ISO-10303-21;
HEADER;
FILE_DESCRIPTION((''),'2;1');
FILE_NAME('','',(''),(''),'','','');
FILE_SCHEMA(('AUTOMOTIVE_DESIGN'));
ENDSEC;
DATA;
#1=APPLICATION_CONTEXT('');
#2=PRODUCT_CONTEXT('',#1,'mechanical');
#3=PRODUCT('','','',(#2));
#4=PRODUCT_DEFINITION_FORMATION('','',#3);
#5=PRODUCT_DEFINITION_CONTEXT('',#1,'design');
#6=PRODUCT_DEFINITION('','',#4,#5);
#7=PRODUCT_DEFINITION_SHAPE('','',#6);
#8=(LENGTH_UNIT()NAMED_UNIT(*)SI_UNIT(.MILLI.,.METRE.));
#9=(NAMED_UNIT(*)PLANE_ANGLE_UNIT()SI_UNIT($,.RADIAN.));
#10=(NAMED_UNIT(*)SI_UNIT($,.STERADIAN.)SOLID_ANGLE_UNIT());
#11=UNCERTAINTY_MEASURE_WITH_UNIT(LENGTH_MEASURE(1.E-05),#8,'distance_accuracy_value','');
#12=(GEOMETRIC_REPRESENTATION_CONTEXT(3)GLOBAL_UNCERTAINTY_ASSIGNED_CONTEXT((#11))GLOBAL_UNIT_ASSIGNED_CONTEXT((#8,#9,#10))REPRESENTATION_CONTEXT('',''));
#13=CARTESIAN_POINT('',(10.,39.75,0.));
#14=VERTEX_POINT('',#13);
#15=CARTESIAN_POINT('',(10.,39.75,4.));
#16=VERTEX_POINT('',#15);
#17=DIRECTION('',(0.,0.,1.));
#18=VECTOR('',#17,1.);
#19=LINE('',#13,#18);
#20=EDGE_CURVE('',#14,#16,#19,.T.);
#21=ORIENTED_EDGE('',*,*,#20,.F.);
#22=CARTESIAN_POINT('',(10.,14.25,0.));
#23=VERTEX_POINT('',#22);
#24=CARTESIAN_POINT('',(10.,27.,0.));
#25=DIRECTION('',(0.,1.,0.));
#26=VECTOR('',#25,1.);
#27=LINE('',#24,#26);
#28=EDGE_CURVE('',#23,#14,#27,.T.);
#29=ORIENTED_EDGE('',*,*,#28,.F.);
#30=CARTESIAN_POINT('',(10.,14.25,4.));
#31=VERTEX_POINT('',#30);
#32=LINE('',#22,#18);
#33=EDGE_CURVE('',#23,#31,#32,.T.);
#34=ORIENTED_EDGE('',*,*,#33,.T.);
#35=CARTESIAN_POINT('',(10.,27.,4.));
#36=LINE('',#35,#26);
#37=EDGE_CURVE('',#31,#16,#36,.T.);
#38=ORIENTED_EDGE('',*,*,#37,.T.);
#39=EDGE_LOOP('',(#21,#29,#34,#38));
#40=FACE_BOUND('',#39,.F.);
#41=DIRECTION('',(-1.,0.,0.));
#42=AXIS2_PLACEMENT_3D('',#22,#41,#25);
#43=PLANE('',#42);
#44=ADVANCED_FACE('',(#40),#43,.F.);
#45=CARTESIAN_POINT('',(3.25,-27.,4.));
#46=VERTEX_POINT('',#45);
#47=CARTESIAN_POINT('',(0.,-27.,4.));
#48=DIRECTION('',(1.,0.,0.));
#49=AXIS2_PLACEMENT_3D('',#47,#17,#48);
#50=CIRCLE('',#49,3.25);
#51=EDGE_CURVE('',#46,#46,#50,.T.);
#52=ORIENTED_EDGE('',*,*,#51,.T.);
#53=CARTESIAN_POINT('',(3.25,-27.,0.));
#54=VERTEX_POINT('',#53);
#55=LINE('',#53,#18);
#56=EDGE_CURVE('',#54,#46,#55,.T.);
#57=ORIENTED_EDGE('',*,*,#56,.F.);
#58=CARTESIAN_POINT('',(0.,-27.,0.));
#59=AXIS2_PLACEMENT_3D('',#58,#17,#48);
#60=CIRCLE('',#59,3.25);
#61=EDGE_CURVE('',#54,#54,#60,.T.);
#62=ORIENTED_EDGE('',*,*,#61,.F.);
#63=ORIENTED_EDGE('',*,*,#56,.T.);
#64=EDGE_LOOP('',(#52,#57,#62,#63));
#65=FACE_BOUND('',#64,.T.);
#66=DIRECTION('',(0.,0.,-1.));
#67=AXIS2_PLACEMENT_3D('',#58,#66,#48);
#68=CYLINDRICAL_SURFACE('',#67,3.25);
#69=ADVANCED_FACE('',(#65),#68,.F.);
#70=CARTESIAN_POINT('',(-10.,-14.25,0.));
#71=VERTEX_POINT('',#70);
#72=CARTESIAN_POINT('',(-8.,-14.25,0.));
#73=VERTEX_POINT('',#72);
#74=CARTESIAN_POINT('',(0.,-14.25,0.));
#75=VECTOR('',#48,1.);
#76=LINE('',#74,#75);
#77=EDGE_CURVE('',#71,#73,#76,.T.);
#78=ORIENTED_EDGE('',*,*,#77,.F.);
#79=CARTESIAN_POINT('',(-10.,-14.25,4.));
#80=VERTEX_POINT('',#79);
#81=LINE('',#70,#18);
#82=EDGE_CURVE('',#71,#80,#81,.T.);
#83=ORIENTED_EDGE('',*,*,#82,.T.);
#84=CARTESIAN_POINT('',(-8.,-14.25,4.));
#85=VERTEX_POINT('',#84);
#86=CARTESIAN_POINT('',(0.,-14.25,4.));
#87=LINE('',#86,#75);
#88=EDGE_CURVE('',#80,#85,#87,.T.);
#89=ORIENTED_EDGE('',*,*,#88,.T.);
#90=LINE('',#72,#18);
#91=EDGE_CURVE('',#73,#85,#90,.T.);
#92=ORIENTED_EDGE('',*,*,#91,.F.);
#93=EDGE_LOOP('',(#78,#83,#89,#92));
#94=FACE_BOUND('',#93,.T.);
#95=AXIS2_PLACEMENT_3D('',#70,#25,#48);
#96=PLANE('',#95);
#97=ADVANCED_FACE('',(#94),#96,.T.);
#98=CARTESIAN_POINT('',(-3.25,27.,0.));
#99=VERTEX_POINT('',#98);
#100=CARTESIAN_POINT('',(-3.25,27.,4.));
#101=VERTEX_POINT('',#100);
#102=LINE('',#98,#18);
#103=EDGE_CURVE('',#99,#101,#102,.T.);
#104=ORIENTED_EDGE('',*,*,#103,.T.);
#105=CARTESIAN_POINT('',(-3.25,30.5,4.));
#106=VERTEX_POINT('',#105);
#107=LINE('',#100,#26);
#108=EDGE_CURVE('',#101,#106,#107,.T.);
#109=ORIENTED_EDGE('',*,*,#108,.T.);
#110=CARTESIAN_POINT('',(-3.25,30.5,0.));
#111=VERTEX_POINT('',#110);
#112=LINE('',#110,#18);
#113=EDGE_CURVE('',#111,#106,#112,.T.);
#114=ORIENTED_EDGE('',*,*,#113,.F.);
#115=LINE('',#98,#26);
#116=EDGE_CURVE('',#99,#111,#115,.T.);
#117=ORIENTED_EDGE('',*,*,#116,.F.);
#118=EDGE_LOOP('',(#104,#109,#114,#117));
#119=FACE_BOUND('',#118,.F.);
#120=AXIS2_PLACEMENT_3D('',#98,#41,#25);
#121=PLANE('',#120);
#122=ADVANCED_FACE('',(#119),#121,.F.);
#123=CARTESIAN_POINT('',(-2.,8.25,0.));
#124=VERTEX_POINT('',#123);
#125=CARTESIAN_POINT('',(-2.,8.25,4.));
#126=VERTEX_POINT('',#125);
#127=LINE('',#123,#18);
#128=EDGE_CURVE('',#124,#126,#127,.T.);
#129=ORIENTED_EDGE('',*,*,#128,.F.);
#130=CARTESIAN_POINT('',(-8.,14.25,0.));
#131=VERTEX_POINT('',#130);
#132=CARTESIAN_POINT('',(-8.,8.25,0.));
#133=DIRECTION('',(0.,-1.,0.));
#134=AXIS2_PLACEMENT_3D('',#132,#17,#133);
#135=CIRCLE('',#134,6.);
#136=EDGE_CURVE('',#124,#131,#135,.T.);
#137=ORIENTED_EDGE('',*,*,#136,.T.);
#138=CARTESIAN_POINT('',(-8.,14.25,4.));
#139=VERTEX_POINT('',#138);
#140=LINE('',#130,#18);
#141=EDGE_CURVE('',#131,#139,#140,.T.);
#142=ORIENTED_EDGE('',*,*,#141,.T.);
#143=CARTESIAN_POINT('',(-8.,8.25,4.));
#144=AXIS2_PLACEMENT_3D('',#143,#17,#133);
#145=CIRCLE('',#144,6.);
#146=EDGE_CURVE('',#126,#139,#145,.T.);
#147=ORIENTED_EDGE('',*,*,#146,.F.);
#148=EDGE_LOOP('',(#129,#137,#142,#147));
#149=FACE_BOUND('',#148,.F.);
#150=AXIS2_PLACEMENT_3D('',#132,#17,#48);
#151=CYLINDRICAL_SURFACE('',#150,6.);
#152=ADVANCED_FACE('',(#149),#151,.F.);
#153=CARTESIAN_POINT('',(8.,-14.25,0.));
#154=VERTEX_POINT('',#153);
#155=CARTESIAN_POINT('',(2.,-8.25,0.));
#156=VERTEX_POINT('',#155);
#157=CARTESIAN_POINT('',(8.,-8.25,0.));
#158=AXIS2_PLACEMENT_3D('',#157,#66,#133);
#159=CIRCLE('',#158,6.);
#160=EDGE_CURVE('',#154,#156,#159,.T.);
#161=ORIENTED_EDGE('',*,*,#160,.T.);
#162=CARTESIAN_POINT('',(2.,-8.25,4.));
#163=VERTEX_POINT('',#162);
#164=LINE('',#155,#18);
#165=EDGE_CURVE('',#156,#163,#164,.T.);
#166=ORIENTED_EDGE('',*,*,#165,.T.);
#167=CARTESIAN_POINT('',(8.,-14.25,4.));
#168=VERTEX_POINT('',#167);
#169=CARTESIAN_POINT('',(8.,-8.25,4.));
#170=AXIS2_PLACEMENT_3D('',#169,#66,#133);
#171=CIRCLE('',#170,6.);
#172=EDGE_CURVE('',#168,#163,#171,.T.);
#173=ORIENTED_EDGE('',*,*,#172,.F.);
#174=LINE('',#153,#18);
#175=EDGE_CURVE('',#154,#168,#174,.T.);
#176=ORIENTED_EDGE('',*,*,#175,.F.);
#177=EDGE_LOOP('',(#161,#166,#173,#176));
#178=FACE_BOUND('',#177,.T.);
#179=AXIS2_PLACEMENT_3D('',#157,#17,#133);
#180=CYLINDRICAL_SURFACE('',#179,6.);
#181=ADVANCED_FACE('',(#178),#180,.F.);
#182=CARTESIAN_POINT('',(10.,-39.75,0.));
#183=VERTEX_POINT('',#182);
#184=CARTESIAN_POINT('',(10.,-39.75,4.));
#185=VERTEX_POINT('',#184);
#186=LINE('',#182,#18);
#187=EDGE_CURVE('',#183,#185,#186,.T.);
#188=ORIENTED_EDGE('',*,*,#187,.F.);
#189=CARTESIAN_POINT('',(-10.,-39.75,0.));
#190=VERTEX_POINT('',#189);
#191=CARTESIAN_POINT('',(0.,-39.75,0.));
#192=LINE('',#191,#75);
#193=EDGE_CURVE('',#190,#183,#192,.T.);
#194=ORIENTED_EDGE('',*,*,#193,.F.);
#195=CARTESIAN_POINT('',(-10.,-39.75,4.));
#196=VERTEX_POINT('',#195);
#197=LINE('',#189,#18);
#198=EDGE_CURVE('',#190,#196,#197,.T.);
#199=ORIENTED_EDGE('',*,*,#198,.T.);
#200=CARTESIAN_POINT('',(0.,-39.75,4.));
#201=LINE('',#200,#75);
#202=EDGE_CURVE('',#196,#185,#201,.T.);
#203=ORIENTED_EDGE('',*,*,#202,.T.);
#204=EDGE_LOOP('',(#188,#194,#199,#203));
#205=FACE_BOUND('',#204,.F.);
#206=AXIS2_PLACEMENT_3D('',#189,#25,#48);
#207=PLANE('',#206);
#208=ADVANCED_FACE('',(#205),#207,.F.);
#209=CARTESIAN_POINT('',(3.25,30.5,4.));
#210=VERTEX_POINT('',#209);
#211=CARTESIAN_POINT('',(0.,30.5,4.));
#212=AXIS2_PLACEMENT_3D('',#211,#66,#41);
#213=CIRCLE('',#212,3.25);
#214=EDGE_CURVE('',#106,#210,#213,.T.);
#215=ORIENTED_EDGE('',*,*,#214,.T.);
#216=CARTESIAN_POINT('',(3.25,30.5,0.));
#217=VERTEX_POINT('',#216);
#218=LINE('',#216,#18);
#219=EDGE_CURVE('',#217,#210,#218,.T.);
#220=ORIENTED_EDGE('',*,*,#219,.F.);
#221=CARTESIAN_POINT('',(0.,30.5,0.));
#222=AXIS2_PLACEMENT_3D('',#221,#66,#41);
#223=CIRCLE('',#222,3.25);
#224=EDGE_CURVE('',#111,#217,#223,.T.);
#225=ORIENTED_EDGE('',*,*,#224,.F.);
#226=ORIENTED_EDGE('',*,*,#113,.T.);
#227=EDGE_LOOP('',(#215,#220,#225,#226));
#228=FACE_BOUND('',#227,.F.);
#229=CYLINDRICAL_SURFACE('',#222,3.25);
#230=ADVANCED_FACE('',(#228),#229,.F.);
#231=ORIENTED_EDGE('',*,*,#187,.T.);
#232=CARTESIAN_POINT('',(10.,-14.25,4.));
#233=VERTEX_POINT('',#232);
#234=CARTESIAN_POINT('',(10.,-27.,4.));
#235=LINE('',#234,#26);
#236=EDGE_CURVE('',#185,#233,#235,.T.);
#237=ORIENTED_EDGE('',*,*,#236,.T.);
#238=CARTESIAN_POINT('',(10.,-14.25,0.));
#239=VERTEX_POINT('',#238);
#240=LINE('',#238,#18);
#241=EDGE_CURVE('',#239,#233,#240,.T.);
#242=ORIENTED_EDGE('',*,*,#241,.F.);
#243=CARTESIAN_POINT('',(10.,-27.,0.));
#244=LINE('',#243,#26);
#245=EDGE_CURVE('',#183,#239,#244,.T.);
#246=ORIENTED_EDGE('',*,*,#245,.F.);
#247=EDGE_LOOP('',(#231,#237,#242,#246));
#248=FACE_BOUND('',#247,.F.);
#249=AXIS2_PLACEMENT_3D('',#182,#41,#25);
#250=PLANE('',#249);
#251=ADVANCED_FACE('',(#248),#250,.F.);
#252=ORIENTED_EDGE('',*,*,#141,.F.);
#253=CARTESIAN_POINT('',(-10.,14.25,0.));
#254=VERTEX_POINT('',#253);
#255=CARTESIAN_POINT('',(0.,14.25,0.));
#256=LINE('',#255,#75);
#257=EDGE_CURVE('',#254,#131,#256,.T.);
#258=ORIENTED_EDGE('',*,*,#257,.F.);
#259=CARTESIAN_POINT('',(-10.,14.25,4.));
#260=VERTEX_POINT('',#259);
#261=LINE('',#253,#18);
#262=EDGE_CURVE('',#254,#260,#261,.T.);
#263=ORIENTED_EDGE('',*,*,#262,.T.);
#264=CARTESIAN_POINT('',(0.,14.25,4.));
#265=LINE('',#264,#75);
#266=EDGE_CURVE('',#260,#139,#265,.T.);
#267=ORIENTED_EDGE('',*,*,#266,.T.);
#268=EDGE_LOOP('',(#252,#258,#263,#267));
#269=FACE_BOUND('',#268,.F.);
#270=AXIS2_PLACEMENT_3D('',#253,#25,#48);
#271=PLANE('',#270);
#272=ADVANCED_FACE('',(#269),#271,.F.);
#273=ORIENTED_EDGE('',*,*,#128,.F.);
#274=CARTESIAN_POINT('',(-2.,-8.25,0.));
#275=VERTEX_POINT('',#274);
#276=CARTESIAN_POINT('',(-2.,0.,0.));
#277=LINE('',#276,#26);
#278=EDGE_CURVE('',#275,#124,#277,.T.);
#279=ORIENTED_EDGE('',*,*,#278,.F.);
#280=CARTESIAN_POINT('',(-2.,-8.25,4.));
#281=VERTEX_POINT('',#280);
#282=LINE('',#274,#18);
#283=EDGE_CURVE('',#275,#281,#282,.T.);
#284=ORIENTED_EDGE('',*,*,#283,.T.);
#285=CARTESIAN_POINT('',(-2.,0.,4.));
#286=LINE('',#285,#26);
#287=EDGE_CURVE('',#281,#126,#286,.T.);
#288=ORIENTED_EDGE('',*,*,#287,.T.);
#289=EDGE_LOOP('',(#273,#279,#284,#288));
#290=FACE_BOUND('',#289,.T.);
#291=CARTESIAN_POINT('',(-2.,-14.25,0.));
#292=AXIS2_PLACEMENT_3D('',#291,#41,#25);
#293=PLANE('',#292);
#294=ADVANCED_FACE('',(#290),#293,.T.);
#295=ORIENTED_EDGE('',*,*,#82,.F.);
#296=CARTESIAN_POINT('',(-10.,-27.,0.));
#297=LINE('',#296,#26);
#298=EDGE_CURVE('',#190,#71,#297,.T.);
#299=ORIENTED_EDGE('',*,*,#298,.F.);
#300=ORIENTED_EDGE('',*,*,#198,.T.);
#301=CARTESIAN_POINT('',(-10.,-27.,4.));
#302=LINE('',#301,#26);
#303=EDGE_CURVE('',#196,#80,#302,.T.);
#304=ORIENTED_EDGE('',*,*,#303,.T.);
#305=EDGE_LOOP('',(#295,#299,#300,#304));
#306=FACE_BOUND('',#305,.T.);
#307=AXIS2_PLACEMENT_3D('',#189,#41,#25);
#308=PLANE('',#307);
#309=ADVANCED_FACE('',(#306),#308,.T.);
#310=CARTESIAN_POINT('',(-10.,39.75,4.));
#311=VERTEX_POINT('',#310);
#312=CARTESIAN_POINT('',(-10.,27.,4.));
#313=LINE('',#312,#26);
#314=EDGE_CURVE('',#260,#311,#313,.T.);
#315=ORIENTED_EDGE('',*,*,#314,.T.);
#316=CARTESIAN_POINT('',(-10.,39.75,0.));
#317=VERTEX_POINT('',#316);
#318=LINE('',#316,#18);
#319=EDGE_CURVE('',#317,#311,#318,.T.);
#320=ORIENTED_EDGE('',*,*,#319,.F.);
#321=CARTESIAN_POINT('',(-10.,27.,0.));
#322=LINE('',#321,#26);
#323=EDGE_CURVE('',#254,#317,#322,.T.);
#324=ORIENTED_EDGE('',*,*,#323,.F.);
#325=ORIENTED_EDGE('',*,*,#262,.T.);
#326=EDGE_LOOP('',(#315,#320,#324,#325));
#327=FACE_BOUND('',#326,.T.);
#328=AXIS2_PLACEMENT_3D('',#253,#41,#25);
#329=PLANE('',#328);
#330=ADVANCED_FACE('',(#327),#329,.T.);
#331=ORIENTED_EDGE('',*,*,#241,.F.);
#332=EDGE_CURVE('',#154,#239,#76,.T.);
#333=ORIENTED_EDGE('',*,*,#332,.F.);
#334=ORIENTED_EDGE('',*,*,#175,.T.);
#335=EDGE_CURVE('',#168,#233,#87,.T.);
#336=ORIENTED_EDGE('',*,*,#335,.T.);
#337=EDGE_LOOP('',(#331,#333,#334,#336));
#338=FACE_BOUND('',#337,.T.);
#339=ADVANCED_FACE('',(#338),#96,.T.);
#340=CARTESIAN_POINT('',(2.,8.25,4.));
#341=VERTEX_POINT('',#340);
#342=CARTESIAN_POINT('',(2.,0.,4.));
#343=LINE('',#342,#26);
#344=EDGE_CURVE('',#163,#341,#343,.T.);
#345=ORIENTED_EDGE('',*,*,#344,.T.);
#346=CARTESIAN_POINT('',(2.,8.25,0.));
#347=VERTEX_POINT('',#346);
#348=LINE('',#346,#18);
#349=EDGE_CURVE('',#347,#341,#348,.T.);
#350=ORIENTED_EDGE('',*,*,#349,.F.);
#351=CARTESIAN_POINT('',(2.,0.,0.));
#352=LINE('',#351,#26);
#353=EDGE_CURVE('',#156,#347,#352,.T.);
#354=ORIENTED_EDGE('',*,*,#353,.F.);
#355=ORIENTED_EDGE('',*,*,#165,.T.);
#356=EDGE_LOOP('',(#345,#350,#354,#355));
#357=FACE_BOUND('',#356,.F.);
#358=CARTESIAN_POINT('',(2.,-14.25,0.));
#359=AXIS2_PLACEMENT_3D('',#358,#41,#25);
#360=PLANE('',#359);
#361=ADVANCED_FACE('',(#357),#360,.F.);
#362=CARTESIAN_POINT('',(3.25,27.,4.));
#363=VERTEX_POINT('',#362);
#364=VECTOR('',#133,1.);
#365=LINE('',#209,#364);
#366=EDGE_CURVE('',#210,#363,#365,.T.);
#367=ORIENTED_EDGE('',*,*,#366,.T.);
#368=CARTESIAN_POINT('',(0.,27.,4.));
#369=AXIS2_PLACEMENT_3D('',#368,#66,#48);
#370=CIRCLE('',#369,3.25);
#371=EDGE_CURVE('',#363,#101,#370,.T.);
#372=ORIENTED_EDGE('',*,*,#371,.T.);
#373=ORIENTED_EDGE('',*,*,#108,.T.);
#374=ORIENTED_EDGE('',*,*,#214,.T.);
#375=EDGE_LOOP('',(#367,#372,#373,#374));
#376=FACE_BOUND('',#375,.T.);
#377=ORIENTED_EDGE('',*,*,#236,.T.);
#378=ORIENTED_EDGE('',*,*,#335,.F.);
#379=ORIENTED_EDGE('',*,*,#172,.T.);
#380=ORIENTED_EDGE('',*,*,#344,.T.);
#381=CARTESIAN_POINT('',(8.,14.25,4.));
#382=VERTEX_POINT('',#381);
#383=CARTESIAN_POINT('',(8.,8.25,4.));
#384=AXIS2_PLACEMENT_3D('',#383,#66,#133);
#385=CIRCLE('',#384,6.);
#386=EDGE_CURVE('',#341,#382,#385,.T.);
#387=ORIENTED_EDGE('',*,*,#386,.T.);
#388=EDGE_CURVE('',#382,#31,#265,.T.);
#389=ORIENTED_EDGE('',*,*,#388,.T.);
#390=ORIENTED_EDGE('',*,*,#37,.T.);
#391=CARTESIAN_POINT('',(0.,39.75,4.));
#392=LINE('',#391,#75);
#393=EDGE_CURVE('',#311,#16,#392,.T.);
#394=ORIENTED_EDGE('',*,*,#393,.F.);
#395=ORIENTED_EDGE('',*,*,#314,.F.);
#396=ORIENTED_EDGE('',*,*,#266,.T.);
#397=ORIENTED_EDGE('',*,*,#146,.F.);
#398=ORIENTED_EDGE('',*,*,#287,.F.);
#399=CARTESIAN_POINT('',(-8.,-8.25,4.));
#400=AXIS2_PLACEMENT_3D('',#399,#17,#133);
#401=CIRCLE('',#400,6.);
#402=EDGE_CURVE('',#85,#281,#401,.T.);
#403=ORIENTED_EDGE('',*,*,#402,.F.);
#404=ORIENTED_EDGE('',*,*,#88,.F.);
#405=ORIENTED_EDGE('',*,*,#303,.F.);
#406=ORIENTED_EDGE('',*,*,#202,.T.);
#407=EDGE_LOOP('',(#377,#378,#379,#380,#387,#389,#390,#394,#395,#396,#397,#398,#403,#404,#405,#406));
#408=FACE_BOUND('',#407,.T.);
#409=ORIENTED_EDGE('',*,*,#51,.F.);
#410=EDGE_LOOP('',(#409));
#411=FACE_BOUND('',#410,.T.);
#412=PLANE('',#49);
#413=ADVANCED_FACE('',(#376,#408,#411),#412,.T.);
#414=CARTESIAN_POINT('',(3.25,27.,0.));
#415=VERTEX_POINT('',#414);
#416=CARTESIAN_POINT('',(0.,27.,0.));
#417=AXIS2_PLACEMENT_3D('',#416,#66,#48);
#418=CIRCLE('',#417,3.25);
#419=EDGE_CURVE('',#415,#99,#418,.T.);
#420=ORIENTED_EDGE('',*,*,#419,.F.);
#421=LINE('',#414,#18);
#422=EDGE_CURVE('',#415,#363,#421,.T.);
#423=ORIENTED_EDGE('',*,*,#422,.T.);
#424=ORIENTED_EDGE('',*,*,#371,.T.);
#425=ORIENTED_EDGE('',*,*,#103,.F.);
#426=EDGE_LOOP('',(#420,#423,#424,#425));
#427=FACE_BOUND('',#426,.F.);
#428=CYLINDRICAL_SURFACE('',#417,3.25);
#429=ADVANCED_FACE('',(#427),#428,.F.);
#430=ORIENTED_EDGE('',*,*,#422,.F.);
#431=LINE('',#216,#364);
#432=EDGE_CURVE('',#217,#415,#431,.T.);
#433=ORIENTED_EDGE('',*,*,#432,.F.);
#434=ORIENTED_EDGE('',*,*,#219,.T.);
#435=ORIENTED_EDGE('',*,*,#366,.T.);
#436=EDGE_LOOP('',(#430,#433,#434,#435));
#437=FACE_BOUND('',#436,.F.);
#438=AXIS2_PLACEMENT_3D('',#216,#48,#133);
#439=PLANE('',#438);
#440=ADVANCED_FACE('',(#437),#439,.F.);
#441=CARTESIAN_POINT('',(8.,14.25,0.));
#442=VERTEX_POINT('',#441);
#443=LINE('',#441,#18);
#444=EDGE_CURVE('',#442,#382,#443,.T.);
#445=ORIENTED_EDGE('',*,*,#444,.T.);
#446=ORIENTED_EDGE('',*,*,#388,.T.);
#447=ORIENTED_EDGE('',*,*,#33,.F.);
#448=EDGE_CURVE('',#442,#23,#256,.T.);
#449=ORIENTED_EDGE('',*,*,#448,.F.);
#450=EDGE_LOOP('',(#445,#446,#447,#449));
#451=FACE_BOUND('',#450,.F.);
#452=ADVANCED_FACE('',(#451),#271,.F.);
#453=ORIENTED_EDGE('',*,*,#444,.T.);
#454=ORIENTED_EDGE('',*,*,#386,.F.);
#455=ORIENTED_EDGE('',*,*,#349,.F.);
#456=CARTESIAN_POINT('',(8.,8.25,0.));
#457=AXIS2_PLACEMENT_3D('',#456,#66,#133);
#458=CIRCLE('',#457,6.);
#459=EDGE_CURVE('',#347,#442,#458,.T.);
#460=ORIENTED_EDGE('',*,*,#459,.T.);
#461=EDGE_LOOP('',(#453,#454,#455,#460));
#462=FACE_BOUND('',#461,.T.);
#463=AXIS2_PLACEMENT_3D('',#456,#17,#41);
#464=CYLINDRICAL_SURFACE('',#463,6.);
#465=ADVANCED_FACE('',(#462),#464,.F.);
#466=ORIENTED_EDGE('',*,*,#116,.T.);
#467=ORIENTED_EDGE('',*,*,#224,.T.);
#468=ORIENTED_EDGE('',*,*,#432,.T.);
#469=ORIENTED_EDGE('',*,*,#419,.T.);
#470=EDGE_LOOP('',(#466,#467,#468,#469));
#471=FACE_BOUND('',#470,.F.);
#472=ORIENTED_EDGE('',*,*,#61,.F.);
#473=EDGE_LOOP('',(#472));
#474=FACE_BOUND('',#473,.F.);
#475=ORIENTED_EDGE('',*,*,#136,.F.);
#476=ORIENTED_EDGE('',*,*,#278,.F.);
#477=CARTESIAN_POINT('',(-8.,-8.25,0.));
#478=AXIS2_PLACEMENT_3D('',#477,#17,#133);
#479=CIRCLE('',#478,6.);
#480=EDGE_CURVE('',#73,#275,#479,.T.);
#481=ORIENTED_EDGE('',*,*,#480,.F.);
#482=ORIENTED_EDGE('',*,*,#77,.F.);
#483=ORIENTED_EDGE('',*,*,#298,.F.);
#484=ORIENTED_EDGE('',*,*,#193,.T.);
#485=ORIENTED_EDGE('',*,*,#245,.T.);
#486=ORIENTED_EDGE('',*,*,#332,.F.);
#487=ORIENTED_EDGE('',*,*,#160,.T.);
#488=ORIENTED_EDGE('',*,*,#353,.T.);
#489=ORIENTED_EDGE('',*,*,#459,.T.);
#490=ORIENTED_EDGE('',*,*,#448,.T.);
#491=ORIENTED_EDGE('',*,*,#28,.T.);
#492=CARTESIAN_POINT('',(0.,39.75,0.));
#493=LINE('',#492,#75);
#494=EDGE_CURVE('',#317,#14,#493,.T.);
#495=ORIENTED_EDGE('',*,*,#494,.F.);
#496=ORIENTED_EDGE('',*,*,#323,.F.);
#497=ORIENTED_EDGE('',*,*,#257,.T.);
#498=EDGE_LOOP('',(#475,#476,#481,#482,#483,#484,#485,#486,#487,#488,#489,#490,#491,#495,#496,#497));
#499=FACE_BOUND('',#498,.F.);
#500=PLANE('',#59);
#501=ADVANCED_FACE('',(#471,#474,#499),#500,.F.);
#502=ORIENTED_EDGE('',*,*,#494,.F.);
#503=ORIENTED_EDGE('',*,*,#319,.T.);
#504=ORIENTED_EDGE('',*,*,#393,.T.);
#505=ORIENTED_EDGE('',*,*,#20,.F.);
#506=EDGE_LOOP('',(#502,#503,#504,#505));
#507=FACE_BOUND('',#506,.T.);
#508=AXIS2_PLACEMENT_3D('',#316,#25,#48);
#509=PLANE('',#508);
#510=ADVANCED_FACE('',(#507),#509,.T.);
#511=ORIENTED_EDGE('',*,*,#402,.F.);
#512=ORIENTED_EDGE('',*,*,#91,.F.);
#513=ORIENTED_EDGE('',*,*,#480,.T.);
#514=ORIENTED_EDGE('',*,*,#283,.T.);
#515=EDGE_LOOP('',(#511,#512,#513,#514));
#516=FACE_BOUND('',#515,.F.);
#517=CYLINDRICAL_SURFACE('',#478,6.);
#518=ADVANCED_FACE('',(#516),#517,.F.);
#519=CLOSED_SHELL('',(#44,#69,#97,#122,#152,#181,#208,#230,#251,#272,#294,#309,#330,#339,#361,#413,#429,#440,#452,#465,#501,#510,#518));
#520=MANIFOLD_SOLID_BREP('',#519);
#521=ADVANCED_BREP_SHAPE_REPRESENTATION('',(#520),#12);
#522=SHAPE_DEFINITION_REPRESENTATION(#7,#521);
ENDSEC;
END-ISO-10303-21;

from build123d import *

# Parameters (mm, degrees)
F0_W     = 20
F0_H     = 25.5
F0_R     = 3.25
F1_DEPTH = 4
F2_W     = 4
F2_H     = 28.5
F3_DEPTH = 4
F4_R     = 6


with BuildPart() as f1:
    # F0 (on Top) → F1 (new body)
    with BuildSketch(Plane.XY):
        with Locations((0, 27)):
            Rectangle(F0_W, F0_H)
        with BuildLine():
            Line((-3.25, 27), (-3.25, 30.5))
            ThreePointArc((-3.25, 30.5), (0, 33.75), (3.25, 30.5))
            Line((3.25, 30.5), (3.25, 27))
            ThreePointArc((3.25, 27), (0, 23.75), (-3.25, 27))
        make_face(mode=Mode.SUBTRACT)
        with Locations((0, -27)):
            Rectangle(F0_W, F0_H)
        with Locations((0, -27)):
            Circle(F0_R, mode=Mode.SUBTRACT)
    extrude(amount=F1_DEPTH)

    # F2 (on Top) → F3 (join)
    with BuildSketch(Plane.XY):
        Rectangle(F2_W, F2_H)
    extrude(amount=F3_DEPTH)

    # F4
    f4_edges = [f1.edges().sort_by_distance(p)[0] for p in [
        (-2, 14.25, 2),
        (2, 14.25, 2),
        (2, -14.25, 2),
        (-2, -14.25, 2),
    ]]
    fillet(f4_edges, radius=F4_R)


solid = f1.part
